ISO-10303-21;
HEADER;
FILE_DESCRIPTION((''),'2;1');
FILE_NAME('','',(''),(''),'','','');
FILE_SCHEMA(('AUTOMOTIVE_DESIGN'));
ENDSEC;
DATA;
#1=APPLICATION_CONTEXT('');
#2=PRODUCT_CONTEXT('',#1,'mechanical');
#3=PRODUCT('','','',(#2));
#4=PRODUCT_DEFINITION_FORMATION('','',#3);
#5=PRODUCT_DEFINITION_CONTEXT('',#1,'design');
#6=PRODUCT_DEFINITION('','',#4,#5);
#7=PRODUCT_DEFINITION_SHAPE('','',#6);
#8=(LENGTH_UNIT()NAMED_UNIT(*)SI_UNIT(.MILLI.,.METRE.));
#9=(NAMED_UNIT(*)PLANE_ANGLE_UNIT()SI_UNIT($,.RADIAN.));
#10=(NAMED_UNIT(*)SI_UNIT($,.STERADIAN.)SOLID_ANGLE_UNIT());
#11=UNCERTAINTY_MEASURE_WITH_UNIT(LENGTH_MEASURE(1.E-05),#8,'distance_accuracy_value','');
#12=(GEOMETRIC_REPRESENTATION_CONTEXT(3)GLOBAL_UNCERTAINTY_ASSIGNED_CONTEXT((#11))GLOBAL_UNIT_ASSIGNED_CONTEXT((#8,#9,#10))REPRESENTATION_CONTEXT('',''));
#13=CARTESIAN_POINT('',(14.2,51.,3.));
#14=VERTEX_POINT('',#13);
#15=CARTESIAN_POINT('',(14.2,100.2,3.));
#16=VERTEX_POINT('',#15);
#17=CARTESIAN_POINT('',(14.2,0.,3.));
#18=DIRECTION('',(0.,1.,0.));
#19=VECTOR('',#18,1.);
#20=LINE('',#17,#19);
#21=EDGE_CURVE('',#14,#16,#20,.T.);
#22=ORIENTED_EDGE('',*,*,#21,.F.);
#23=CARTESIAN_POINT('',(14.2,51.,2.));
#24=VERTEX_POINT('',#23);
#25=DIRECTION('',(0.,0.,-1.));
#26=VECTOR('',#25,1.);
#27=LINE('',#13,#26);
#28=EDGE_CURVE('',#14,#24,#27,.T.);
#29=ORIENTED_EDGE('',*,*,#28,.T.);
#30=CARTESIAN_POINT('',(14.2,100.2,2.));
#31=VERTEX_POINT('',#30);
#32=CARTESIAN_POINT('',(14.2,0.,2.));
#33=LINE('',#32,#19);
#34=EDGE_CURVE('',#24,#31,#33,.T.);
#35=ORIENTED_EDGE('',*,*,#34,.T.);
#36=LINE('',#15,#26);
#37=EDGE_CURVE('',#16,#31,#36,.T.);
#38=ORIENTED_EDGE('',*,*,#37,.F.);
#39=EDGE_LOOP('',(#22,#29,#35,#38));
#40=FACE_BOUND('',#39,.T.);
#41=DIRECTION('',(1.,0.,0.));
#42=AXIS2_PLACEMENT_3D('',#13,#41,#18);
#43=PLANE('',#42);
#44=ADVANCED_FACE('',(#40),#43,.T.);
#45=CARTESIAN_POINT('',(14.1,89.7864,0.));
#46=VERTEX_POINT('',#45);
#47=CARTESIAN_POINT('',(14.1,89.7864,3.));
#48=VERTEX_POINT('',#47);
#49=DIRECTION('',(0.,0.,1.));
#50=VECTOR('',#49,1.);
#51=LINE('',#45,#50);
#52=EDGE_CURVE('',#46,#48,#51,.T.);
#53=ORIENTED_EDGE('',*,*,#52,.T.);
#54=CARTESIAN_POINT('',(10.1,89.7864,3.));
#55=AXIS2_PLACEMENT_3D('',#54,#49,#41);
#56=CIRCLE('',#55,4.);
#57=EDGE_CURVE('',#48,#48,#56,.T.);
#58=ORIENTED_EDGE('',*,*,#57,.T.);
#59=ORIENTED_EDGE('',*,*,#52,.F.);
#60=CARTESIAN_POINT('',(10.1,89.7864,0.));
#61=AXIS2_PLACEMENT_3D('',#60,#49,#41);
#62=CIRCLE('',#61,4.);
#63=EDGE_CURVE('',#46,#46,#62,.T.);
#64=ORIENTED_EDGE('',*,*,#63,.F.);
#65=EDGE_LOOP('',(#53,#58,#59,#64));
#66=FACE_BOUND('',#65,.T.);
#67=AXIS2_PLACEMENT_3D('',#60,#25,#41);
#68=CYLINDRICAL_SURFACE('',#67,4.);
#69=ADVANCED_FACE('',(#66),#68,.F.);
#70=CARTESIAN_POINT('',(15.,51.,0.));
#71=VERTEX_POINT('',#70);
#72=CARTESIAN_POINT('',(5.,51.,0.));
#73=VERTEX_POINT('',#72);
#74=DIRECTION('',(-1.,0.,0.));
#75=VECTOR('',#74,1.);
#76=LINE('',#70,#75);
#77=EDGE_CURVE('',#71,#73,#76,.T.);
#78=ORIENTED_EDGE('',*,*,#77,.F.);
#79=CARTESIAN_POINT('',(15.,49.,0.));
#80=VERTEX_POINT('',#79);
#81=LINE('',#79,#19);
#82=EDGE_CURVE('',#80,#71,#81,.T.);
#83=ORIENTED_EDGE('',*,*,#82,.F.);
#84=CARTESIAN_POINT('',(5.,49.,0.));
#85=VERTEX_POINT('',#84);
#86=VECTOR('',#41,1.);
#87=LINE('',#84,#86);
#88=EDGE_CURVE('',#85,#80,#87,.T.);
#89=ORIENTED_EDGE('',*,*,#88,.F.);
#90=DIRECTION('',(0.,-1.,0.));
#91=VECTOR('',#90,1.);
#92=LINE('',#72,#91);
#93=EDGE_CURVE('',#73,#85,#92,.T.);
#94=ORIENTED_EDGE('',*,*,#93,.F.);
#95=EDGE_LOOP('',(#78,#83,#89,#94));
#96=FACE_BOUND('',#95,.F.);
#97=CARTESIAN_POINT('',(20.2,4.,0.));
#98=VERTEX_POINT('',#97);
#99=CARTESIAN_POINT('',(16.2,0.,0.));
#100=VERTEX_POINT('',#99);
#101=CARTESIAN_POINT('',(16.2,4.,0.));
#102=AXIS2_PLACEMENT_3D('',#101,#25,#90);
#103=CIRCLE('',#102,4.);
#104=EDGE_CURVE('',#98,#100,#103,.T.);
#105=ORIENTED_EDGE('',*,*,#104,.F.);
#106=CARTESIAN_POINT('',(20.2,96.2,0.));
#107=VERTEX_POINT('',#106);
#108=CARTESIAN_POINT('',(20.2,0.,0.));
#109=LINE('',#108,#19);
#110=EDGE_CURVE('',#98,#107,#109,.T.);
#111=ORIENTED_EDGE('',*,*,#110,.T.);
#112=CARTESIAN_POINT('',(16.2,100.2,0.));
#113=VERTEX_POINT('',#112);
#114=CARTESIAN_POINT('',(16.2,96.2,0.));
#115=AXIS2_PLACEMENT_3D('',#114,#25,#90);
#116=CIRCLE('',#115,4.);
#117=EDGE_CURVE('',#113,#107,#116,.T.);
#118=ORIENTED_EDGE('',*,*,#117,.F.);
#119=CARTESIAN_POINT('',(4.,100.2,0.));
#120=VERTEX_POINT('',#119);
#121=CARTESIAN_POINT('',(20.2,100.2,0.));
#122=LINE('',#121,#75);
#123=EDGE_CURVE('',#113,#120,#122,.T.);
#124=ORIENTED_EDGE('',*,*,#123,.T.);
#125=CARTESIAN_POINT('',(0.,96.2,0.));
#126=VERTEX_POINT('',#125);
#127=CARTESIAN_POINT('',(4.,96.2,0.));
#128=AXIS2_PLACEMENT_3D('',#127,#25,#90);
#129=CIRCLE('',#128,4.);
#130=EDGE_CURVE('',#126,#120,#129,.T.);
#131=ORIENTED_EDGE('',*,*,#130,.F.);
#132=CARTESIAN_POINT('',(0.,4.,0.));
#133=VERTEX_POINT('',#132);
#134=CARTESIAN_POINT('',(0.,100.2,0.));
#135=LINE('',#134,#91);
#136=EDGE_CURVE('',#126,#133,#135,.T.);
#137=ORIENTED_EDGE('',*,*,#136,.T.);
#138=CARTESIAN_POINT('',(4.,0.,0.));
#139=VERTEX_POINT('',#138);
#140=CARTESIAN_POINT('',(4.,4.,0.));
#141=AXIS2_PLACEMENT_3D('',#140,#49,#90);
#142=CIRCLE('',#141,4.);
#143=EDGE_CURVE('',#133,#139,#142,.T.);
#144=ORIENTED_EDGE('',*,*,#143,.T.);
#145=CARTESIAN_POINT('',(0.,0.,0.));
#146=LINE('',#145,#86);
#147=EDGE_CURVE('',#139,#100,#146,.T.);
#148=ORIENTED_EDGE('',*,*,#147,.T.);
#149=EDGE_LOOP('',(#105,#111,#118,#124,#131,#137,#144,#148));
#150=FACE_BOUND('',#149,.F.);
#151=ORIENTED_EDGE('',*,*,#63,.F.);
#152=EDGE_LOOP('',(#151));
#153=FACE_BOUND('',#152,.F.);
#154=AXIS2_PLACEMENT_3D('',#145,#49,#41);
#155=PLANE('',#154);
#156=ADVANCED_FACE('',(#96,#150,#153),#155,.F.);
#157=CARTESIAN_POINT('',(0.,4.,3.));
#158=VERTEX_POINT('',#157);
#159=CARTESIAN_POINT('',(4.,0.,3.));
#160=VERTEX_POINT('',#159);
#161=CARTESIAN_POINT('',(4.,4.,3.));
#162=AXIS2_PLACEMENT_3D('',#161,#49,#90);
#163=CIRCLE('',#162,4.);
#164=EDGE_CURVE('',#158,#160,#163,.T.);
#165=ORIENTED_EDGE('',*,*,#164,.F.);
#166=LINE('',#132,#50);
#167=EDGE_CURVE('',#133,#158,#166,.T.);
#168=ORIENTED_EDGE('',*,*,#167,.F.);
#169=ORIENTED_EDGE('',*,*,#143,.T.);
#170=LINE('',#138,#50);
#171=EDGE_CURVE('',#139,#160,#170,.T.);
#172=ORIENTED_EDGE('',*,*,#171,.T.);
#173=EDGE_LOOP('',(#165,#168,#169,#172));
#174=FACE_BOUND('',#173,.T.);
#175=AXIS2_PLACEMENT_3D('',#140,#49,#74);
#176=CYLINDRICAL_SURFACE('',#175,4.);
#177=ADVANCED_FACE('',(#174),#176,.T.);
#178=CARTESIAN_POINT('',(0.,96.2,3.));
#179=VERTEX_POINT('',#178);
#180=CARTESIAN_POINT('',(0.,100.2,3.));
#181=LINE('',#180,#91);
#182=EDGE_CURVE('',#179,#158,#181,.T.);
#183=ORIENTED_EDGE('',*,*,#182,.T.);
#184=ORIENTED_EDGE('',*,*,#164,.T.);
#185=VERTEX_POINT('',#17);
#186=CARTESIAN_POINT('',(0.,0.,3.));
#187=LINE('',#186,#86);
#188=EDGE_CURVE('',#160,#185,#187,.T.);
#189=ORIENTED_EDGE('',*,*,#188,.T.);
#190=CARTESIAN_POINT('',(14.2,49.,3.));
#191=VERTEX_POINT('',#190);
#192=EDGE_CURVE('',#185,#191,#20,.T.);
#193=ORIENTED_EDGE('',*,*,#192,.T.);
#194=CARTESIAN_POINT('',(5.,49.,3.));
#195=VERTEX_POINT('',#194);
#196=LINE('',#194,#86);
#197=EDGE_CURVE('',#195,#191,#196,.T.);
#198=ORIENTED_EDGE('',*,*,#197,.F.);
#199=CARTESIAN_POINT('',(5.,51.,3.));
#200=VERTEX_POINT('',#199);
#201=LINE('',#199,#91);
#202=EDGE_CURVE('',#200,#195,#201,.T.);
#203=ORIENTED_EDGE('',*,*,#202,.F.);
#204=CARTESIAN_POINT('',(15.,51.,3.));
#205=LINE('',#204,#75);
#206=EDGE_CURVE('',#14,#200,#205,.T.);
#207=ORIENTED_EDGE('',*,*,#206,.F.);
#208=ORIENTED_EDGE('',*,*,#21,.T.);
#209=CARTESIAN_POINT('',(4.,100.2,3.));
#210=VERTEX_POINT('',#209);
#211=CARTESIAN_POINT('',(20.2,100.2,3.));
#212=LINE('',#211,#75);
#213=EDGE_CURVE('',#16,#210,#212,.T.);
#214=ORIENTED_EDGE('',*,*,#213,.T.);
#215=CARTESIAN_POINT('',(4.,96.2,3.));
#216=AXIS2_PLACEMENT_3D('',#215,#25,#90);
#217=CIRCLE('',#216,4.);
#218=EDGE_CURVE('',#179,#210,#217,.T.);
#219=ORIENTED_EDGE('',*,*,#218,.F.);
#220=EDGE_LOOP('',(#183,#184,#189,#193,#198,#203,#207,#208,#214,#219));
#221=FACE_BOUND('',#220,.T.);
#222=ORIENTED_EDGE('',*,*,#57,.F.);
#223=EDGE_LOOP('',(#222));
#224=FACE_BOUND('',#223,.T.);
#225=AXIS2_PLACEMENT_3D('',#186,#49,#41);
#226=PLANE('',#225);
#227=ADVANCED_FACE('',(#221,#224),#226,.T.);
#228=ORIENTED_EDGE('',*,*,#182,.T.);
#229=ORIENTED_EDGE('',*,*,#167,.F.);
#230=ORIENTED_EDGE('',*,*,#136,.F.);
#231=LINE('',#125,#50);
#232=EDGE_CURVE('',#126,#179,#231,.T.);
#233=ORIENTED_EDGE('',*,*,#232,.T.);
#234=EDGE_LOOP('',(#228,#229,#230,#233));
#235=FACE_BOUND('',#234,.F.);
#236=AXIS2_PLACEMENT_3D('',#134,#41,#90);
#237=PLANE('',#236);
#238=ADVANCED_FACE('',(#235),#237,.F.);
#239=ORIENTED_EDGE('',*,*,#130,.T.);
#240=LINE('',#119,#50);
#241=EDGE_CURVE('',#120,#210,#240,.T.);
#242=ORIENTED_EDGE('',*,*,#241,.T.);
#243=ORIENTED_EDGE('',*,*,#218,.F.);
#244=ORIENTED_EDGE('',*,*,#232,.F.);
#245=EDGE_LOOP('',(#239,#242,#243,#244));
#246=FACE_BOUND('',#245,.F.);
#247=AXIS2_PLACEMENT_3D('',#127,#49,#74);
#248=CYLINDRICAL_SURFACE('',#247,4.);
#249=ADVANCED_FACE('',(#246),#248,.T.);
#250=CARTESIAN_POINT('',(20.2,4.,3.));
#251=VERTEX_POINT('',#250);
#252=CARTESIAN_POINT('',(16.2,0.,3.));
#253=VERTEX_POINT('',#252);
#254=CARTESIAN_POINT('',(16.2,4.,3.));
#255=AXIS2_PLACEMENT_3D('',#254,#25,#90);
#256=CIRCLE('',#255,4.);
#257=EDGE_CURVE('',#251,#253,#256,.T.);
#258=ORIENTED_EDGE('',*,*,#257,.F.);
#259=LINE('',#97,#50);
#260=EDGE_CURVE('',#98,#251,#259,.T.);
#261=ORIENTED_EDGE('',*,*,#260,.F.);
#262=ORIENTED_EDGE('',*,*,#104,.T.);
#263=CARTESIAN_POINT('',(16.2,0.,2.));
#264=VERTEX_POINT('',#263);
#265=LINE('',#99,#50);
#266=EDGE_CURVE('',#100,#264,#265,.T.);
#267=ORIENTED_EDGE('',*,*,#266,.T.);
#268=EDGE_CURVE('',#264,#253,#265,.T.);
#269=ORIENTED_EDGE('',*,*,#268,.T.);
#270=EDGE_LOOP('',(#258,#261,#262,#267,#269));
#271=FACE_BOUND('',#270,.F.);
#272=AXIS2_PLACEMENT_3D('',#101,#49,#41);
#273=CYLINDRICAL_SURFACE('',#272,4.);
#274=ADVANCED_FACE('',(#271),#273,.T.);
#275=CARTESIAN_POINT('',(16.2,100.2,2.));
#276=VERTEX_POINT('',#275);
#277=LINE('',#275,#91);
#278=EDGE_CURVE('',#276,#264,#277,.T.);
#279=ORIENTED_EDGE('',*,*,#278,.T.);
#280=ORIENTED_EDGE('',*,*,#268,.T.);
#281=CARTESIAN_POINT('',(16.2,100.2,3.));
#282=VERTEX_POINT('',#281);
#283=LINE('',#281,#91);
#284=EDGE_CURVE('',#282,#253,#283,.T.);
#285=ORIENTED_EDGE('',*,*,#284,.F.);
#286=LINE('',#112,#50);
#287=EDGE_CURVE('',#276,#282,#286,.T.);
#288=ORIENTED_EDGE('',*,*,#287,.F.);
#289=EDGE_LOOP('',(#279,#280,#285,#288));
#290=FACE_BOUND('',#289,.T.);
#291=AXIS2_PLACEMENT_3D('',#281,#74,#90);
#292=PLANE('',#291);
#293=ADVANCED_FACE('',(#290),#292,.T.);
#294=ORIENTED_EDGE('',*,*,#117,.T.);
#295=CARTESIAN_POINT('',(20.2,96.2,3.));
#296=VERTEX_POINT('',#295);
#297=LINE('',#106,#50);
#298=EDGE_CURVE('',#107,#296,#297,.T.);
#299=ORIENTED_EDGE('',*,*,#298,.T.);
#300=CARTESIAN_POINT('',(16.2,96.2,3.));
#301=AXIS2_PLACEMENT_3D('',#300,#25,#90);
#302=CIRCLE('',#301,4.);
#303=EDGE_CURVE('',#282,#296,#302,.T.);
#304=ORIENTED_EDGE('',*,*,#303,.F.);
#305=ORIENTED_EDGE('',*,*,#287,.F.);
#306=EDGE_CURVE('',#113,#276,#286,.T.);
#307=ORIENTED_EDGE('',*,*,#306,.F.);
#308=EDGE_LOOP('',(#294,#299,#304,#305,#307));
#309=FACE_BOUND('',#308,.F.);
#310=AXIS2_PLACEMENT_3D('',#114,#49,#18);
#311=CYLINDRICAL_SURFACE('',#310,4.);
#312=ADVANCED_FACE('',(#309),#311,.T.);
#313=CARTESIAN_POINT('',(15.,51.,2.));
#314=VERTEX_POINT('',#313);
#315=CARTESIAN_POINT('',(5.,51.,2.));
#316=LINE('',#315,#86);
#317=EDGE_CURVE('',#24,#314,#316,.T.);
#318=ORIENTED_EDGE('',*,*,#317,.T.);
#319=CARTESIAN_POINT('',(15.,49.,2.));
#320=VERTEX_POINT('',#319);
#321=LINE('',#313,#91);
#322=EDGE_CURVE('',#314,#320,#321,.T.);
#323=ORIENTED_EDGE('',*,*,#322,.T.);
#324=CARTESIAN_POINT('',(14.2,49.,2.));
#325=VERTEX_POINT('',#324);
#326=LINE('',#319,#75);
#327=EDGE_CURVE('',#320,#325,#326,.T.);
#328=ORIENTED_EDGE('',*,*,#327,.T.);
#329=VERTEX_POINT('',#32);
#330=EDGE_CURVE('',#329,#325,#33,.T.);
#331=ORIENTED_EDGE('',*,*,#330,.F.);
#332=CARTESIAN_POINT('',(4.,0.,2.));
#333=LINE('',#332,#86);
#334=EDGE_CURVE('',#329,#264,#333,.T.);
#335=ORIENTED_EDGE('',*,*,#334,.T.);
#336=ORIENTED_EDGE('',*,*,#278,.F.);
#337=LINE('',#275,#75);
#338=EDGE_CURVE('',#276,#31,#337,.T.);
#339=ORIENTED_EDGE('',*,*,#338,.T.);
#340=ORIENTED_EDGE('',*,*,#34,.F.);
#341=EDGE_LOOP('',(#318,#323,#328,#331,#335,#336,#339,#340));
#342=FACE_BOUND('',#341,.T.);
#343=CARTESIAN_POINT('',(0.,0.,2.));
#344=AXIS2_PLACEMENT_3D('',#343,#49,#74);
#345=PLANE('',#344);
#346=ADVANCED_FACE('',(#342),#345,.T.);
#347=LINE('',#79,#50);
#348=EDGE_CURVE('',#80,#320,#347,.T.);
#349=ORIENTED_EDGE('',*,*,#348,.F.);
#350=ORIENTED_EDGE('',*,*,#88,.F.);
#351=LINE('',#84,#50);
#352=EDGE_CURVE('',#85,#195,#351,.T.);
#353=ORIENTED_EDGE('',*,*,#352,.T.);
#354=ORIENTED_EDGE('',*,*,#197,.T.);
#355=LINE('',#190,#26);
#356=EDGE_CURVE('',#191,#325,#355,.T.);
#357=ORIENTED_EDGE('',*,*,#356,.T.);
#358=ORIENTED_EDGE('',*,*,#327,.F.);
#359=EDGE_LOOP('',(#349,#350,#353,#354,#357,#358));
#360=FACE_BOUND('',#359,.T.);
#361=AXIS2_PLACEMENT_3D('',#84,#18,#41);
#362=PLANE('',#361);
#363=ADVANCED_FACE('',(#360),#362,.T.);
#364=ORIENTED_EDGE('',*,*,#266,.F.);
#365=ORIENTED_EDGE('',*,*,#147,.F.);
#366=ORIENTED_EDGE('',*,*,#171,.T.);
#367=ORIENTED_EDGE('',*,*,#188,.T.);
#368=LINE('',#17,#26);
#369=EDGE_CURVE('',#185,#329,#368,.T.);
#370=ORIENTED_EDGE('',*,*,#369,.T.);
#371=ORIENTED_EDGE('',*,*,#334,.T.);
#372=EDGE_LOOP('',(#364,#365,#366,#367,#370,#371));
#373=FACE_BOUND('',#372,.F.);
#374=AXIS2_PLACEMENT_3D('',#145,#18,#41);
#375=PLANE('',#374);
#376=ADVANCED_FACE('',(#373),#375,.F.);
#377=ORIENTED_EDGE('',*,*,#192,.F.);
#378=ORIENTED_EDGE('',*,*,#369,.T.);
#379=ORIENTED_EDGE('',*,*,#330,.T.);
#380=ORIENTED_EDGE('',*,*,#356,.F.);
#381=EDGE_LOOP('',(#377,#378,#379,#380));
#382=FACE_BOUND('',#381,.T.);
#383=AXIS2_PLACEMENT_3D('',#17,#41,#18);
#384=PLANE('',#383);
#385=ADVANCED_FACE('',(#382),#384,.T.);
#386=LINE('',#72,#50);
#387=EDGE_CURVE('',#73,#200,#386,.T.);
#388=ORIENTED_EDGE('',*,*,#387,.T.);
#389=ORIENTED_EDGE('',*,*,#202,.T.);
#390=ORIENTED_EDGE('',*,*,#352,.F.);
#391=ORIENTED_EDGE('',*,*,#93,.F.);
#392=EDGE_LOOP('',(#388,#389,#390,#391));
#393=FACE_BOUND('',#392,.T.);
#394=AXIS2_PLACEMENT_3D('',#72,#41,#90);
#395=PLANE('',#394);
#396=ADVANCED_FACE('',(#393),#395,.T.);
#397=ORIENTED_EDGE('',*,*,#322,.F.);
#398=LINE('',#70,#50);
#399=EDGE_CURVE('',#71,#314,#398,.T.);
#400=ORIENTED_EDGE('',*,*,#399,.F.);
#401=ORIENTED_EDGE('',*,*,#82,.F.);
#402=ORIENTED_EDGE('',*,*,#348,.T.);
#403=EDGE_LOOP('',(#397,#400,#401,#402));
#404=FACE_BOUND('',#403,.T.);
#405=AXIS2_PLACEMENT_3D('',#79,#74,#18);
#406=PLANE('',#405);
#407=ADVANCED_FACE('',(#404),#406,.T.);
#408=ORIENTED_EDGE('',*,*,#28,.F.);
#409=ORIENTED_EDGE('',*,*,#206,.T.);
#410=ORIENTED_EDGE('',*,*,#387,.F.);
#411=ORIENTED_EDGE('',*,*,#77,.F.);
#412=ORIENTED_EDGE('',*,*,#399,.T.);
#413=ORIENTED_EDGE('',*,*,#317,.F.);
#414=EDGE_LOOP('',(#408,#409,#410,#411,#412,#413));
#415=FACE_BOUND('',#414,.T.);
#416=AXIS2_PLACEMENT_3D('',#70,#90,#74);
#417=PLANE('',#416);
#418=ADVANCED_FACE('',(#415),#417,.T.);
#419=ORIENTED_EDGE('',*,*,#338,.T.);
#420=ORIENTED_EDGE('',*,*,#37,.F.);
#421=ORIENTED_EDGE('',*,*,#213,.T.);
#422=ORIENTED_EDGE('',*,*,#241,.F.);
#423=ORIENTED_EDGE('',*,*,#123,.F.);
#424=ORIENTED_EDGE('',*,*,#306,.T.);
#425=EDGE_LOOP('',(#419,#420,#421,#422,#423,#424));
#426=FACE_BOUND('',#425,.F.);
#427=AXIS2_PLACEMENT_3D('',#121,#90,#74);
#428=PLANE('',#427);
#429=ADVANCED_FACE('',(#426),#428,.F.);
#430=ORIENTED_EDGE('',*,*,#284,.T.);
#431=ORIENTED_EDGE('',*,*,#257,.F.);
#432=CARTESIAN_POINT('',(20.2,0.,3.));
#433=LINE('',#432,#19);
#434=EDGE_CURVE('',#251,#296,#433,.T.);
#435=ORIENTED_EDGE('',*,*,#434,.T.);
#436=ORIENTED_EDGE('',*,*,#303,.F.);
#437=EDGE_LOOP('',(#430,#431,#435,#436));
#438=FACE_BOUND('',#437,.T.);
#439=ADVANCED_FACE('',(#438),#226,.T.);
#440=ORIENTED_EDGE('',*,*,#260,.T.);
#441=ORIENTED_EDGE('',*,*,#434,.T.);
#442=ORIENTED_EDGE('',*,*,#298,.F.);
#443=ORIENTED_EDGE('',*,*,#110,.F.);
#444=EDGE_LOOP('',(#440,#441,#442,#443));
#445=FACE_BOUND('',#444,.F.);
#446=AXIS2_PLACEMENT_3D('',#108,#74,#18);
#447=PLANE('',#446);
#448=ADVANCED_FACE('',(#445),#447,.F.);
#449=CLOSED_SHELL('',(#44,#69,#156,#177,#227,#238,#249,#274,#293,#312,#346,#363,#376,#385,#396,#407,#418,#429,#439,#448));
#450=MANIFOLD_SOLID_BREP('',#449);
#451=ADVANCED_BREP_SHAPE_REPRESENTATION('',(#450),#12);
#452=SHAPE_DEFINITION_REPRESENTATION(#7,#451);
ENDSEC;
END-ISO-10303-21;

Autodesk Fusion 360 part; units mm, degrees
sketch "Sketch1" plane through (0, 0, 0) normal (0, 0, 1) x (1, 0, 0)
  line L0 (0, 0) -> (20.2, 0)
  line L1 (20.2, 0) -> (20.2, 100.2)
  line L2 (20.2, 100.2) -> (0, 100.2)
  line L3 (0, 100.2) -> (0, 0)
  circle A0 centre (10.1, 89.7864) radius 4
  line L4 (15, 51) -> (5, 51)
  line L5 (5, 51) -> (5, 49)
  line L6 (5, 49) -> (15, 49)
  line L7 (15, 49) -> (15, 51)
  line L8 (15, 51) -> (5, 49) construction
  line L9 (5, 51) -> (15, 49) construction
  line L10 (10.1, 100.2) -> (10.1, 0) construction
  point P0 (10, 50)
  dimension "d1" = 20.2
  dimension "d2" = 100.2
  dimension "d8" = 8
  dimension "d9" = 10
  dimension "d10" = 2
extrude "Extrude1" add sketch "Sketch1" along normal blind 3
fillet "Fillet1" radius 4 4 edges at (20.2, 0, 1.5) (20.2, 100.2, 1.5) (0, 100.2, 1.5) (0, 0, 1.5)
sketch "Sketch2" plane through (0, 0, 3) normal (0, 0, 1) x (-1, 0, 0)
  arc A0 (0, -4) -> (-4, 0) centre (-4, -4) ccw
  line L0 (-4, 0) -> (-16.2, 0)
  arc A1 (-16.2, 0) -> (-20.2, -4) centre (-16.2, -4) ccw
  line L1 (-20.2, -4) -> (-20.2, -96.2)
  arc A2 (-20.2, -96.2) -> (-16.2, -100.2) centre (-16.2, -96.2) ccw
  line L2 (-16.2, -100.2) -> (-4, -100.2)
  arc A3 (-4, -100.2) -> (0, -96.2) centre (-4, -96.2) ccw
  line L3 (0, -96.2) -> (0, -4)
  line L4 (-15, -51) -> (-15, -49)
  line L5 (-15, -49) -> (-5, -49)
  line L6 (-5, -49) -> (-5, -51)
  line L7 (-5, -51) -> (-15, -51)
  circle A4 centre (-10.1, -89.7864) radius 4
  line L8 (-16.2, 0) -> (-14.2, 0)
  line L9 (-14.2, 0) -> (-14.2, -100.2)
  line L10 (-14.2, -100.2) -> (-16.2, -100.2)
  line L11 (-16.2, -100.2) -> (-16.2, 0)
  dimension "d11" = 2
extrude "Extrude2" cut sketch "Sketch2" against normal blind 1 contours L0 L2 L4 L5 L7 L8 L9 L10 L11
